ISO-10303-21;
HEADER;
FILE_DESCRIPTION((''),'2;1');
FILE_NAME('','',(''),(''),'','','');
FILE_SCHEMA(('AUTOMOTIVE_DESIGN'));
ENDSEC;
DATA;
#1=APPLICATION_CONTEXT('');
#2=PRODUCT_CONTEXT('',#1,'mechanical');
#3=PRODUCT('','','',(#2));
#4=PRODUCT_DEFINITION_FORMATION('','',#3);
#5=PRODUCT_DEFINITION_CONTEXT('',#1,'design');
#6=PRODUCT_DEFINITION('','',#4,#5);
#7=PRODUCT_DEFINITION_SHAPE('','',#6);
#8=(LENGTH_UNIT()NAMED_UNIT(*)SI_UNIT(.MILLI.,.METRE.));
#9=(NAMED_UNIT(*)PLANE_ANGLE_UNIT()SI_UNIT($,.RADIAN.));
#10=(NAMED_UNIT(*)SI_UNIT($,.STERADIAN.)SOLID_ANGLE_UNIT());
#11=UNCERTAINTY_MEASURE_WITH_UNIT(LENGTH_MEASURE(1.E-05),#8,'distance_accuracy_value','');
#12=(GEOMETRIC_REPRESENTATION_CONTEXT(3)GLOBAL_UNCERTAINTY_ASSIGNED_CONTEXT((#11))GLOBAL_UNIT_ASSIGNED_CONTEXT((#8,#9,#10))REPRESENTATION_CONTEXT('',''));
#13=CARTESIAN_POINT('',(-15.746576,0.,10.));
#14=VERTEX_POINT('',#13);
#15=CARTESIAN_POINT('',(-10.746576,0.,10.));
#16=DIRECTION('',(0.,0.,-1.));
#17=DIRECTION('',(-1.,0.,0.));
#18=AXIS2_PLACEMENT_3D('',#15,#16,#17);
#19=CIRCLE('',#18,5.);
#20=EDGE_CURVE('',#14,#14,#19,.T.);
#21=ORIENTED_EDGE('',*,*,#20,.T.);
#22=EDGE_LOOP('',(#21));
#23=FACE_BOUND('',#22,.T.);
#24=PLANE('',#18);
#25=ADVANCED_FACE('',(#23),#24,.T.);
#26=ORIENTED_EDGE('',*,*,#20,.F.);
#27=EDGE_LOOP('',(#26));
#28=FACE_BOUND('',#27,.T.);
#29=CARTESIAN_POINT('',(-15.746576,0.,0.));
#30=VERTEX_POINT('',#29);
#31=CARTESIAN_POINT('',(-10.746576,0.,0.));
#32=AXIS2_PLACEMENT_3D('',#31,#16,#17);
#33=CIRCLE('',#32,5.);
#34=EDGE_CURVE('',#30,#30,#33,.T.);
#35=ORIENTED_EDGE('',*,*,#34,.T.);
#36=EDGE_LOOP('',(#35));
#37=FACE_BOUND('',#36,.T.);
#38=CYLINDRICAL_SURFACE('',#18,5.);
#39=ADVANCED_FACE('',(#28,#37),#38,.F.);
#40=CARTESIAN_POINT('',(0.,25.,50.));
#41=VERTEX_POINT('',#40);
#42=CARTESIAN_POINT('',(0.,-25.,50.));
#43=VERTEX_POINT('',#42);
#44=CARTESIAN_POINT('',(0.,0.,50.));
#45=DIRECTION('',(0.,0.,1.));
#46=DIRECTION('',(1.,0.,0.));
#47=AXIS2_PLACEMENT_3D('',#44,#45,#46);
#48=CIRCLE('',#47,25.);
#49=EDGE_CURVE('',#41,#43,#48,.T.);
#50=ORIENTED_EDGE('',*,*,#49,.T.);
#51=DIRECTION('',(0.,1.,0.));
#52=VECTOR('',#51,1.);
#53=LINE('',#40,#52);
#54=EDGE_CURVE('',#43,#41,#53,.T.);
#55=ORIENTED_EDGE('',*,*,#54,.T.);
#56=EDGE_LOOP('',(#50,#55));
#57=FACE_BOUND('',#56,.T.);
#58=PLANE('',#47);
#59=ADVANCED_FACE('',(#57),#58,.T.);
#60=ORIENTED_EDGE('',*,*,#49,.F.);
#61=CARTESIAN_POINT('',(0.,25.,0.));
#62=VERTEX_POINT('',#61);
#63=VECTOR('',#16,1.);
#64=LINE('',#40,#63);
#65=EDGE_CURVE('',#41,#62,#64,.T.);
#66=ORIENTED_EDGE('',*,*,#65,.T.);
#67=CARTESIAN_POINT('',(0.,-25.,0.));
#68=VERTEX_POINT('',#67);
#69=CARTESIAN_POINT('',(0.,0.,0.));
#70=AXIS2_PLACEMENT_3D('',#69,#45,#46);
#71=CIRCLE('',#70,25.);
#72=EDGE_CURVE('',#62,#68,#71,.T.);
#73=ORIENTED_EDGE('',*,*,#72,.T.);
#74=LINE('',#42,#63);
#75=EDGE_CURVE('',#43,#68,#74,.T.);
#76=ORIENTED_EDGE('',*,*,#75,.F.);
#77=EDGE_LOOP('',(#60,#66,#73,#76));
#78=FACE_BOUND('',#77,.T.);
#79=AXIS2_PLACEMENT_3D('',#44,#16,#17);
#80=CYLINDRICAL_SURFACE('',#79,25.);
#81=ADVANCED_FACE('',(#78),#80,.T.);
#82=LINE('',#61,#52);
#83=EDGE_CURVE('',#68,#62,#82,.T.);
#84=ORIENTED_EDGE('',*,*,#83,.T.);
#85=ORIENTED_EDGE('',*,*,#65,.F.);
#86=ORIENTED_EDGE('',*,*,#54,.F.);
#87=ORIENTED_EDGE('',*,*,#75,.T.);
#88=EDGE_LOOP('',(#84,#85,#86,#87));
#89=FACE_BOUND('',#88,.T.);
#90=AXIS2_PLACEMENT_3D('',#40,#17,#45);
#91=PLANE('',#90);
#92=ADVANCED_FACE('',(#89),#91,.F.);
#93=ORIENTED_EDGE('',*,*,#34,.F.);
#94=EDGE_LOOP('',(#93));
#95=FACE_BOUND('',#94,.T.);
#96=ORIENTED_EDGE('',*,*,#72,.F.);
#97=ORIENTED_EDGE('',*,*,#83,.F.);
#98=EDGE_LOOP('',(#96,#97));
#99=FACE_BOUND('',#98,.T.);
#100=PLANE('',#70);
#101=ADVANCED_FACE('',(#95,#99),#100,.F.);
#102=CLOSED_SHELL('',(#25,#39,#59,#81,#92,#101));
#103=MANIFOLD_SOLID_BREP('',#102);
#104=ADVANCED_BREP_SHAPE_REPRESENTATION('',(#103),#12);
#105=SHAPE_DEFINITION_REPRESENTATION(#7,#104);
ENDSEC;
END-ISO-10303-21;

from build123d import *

# Parameters (mm, degrees)
SALIENTE_EXTRUIR1_DEPTH = 50
CROQUIS3_R              = 5
CORTAR_EXTRUIR1_DEPTH   = 10


with BuildPart() as part:
    # Croquis2 → Saliente-Extruir1 (new body)
    with BuildSketch(Plane.XY):
        with BuildLine():
            Line((0, 25), (0, -25))
            ThreePointArc((0, -25), (-25, 0), (0, 25))
        make_face()
    extrude(amount=SALIENTE_EXTRUIR1_DEPTH)

    # Croquis3 → Cortar-Extruir1 (cut)
    with BuildSketch(Plane(origin=(0, 0, 0), x_dir=(-1, 0, 0), z_dir=(0, 0, -1))):
        with Locations((10.746576251, 0)):
            Circle(CROQUIS3_R)
    extrude(amount=-CORTAR_EXTRUIR1_DEPTH, mode=Mode.SUBTRACT)


solid = part.part
